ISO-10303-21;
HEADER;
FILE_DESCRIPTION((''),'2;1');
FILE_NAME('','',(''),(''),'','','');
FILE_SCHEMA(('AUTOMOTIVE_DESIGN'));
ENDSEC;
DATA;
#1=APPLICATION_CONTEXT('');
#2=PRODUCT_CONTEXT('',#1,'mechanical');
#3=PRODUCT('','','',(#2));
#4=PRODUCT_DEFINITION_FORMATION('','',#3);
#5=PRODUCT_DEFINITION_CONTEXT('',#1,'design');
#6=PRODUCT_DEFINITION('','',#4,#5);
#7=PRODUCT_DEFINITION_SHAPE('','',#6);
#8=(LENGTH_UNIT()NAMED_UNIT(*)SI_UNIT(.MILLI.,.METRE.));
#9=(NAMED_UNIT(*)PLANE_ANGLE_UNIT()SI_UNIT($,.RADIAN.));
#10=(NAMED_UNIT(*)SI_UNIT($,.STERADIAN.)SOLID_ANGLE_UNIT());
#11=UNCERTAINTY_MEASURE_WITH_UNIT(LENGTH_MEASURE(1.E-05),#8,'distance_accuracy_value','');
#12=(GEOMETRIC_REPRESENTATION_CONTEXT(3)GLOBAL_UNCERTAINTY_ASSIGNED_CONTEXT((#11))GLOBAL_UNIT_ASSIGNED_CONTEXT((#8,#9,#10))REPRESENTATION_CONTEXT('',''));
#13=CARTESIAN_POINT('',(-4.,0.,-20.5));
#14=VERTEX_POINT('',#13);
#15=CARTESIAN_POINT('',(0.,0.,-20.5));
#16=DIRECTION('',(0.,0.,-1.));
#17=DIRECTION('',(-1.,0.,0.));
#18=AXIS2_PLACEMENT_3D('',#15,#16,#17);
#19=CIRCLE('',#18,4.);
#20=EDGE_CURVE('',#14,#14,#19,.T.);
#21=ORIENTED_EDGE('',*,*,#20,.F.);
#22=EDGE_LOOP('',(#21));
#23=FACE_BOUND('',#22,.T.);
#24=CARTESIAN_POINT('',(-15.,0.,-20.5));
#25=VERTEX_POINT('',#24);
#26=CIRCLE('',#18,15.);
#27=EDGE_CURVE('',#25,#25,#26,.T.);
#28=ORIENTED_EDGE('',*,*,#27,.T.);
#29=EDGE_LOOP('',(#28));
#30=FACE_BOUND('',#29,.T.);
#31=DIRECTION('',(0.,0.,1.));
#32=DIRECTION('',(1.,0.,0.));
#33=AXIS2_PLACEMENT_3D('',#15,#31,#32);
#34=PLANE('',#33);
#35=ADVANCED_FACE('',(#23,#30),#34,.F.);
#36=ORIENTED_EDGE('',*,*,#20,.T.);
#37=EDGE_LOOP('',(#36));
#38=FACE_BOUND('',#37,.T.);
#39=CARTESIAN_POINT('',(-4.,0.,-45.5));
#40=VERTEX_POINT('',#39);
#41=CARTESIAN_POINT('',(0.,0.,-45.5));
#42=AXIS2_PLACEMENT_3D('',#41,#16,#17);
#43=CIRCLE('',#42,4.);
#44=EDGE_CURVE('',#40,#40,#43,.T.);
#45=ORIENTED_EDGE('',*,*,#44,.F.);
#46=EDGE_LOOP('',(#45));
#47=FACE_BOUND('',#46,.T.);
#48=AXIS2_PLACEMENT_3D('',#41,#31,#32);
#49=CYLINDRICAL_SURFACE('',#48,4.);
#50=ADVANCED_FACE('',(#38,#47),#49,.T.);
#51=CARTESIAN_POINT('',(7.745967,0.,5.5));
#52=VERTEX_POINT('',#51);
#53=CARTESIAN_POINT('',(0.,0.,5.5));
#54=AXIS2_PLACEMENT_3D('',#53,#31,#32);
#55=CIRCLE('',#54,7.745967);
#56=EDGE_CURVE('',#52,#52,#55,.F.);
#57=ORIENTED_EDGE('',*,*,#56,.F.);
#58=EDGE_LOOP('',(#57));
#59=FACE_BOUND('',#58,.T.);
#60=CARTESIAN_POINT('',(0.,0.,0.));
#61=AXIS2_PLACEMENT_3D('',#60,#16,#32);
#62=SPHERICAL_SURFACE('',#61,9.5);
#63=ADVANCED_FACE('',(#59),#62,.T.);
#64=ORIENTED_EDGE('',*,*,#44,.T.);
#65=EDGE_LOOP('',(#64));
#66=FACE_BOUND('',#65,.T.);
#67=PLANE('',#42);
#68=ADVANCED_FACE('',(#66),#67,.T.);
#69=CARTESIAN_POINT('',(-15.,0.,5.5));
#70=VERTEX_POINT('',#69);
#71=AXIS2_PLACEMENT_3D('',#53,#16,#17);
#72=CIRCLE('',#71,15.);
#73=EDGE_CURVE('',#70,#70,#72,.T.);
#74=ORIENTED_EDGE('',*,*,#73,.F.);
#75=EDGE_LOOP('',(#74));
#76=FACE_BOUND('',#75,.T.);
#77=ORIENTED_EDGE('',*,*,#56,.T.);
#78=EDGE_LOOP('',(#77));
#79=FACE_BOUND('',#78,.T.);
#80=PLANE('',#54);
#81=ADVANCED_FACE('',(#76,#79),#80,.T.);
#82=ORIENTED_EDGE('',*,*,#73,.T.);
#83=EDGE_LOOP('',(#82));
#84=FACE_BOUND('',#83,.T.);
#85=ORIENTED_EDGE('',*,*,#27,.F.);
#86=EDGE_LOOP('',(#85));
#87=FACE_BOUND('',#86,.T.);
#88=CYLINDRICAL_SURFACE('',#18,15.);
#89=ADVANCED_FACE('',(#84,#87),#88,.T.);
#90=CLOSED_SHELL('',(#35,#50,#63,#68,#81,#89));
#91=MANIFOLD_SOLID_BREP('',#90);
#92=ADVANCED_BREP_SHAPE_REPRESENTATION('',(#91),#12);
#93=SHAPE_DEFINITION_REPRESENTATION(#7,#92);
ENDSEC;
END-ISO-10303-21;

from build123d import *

# Parameters (mm, degrees)
SKETCH3_R           = 4
BOSS_EXTRUDE1_DEPTH = 25


with BuildPart() as part:
    # Sketch1 → Revolve6 (revolve)
    with BuildSketch(Plane(origin=(0, 0, 0), x_dir=(1, 0, 0), z_dir=(0, 1, 0))):
        with BuildLine():
            Line((0, 9.5), (0, -9.5))
            ThreePointArc((0, -9.5), (-9.5, 0), (0, 9.5))
        make_face()
    revolve(axis=Axis((0, 0, -9.5), (0, 0, 1)))

    # Sketch2 → Revolve7 (revolve)
    with BuildSketch(Plane(origin=(0, 0, 0), x_dir=(1, 0, 0), z_dir=(0, 1, 0)), mode=Mode.PRIVATE) as revolve7_sk:
        with BuildLine():
            ThreePointArc((-7.745966692, -5.5), (-9.050875195, -2.886461192), (-9.5, 0))
            Line((-9.5, 0), (-15, 0))
            Line((-15, 0), (-15, -5.5))
            Line((-15, -5.5), (-7.745966692, -5.5))
        make_face()
        with BuildLine():
            Line((-15, 0), (-9.5, 0))
            ThreePointArc((-9.5, 0), (-6.717514421, 6.717514421), (0, 9.5))
            Line((0, 9.5), (0, 20.5))
            Line((0, 20.5), (-15, 20.5))
            Line((-15, 20.5), (-15, 0))
        make_face()
    revolve(revolve7_sk.sketch.rotate(Axis((0, 0, -20.5), (0, 0, 1)), 180), axis=Axis((0, 0, -20.5), (0, 0, 1)))

    # Sketch3 → Boss-Extrude1 (add)
    with BuildSketch(Plane(origin=(0, 0, -20.5), x_dir=(-1, 0, 0), z_dir=(0, 0, -1))):
        Circle(SKETCH3_R)
    extrude(amount=BOSS_EXTRUDE1_DEPTH)


solid = part.part
